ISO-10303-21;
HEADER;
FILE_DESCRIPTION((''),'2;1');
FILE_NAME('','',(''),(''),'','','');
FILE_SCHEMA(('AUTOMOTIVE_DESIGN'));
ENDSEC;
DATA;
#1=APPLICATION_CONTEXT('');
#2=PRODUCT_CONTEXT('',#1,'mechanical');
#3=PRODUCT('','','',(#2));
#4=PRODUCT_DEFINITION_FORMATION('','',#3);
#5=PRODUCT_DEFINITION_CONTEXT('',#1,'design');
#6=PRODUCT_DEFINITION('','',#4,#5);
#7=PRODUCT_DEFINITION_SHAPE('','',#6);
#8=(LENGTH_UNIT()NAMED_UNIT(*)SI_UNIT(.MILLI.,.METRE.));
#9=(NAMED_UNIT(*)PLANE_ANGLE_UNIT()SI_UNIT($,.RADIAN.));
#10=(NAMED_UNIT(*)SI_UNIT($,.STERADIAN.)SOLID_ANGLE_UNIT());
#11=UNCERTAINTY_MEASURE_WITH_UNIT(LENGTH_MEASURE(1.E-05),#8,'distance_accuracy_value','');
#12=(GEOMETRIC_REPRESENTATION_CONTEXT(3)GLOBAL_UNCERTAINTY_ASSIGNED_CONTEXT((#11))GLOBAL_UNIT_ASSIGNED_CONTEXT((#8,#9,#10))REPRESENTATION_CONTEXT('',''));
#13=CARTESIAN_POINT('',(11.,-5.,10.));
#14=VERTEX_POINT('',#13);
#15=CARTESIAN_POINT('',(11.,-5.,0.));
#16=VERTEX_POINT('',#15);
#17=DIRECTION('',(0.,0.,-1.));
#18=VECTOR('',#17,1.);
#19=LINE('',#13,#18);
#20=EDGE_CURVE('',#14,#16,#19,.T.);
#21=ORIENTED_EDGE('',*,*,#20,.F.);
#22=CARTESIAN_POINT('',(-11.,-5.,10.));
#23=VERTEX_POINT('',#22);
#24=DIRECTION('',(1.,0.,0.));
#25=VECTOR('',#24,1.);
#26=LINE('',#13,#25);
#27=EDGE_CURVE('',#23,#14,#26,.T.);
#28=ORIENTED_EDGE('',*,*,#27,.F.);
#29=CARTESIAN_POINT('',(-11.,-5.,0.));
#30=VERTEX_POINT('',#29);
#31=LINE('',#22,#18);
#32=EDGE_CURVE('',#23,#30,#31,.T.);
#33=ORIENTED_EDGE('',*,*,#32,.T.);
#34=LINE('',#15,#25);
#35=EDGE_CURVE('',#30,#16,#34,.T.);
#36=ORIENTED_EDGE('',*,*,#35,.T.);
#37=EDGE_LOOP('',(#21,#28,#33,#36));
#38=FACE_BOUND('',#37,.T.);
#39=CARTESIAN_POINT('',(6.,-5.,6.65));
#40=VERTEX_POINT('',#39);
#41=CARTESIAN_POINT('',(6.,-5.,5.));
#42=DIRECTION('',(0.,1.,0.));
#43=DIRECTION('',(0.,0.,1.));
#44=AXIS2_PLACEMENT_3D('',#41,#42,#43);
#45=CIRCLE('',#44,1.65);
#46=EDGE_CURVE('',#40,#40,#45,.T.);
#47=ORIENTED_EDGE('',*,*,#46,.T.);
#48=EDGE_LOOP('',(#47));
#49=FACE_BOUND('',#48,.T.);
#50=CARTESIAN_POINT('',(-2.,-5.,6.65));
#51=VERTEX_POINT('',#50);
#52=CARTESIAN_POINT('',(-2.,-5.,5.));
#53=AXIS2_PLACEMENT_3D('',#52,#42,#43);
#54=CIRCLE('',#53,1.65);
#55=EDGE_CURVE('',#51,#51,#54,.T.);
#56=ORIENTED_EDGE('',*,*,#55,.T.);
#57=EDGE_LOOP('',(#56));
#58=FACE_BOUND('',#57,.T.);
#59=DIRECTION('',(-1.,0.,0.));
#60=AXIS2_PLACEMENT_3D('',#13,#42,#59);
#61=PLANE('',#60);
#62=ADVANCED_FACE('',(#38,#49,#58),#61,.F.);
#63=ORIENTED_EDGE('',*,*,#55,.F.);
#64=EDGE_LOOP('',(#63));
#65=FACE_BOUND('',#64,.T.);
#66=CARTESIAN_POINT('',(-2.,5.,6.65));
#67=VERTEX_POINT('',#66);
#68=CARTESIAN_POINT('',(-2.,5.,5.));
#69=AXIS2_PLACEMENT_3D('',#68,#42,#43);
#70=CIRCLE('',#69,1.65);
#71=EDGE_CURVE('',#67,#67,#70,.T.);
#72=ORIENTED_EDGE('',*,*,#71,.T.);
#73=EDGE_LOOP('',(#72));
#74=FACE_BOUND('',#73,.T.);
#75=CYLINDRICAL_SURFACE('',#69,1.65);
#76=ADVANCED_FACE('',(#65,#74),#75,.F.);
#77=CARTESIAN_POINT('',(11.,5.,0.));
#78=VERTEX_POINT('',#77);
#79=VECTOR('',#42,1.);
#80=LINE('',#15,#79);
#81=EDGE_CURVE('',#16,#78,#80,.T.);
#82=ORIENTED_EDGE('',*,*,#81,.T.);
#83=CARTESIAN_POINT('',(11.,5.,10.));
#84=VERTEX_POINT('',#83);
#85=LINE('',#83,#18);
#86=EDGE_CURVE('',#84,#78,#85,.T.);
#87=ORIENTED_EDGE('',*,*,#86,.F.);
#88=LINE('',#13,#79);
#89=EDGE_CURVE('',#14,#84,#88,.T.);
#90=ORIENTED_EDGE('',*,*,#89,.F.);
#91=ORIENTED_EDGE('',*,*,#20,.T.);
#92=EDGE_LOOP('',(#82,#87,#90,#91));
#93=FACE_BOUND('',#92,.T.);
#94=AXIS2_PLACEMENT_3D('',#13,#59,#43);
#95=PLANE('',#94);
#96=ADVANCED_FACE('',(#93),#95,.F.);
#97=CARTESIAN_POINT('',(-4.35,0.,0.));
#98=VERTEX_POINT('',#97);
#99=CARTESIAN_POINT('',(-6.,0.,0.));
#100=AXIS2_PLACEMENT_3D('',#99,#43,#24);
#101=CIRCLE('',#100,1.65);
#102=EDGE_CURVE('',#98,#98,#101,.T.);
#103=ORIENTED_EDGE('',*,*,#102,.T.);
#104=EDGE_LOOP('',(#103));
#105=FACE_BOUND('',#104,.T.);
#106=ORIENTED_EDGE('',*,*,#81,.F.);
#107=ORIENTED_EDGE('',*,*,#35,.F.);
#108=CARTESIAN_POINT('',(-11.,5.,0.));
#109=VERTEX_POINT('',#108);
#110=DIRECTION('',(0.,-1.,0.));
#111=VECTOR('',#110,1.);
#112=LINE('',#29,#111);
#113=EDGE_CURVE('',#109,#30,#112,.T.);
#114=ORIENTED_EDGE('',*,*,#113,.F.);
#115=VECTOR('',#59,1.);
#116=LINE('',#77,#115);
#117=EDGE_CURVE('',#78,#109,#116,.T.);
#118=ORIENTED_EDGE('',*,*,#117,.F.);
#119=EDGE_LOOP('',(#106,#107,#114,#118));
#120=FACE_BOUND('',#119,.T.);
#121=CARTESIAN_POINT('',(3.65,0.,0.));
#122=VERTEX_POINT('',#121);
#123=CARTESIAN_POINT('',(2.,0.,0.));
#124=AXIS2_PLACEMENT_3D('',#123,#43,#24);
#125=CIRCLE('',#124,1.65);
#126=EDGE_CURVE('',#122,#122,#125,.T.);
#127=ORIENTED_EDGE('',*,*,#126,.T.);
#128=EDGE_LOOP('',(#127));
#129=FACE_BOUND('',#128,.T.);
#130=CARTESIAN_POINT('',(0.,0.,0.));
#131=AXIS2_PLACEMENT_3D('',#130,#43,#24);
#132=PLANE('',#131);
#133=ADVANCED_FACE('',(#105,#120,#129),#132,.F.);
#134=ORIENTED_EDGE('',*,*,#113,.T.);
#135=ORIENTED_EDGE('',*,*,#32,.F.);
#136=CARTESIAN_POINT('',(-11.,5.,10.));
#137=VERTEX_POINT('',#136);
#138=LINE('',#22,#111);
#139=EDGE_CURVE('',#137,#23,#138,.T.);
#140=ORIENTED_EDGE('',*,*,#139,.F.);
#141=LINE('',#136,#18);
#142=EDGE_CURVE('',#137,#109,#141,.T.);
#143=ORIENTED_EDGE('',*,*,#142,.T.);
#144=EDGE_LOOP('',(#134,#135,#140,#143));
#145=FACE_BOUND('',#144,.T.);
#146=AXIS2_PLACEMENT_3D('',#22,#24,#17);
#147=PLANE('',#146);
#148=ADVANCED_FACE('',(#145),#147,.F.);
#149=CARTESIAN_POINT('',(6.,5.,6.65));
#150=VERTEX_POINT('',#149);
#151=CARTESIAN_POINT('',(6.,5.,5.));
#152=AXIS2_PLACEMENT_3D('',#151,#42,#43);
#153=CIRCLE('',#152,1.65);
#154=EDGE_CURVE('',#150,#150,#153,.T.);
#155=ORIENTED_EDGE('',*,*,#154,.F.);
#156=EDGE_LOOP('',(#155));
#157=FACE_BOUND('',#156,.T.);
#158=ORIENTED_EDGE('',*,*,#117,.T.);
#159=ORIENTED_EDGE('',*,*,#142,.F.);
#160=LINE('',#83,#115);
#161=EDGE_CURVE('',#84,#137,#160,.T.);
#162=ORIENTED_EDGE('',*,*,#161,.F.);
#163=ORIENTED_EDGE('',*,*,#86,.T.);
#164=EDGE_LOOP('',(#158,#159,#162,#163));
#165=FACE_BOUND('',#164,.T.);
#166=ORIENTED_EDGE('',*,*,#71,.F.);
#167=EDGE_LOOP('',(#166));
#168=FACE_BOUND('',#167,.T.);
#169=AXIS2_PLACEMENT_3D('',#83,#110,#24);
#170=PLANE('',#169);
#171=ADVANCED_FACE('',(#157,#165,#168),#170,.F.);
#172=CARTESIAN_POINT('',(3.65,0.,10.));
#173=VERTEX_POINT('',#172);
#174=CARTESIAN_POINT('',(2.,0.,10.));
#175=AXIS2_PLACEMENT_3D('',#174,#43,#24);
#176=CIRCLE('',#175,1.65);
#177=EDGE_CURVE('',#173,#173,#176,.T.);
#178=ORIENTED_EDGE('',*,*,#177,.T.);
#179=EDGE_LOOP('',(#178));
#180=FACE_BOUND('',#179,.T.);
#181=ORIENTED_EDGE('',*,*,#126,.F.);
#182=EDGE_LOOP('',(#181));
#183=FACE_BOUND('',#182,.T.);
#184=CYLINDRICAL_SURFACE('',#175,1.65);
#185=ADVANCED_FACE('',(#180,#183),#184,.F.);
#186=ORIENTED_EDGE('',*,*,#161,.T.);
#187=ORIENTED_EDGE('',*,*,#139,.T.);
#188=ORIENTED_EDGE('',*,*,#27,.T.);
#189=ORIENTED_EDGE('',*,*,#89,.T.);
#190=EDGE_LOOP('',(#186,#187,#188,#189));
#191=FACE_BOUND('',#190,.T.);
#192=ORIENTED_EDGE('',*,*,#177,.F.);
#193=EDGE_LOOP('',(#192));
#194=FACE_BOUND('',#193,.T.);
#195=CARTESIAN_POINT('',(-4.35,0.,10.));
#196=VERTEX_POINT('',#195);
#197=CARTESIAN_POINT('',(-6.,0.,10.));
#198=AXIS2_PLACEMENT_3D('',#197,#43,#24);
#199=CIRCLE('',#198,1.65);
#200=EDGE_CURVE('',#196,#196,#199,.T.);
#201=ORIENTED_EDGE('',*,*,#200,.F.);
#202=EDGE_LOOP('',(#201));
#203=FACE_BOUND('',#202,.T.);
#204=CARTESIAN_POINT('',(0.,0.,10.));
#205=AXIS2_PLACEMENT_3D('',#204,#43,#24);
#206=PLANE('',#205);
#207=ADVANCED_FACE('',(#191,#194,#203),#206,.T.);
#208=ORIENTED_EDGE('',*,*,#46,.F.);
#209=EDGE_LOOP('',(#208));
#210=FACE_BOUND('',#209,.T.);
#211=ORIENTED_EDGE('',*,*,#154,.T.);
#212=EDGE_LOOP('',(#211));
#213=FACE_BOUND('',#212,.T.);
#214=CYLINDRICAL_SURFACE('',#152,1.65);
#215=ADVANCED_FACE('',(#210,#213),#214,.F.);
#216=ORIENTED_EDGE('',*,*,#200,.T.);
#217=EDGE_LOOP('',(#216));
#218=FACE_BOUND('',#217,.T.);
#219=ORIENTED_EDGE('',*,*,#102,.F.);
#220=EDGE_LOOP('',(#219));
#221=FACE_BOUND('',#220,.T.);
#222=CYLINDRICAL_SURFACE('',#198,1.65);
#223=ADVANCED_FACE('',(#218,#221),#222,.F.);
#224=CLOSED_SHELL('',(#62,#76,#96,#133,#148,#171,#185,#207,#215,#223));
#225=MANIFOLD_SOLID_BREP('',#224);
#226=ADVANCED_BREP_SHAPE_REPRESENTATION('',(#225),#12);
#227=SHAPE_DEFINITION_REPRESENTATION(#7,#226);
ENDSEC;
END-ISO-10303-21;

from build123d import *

# Parameters (mm, degrees)
SKETCH_1_W                   = 22
SKETCH_1_H                   = 10
EXTRUDE_1_DEPTH              = 10
HOLE_WIZARD_M4_1_D           = 3.3
HOLE_WIZARD_M4_1_ON_FACE_2_D = 3.3


with BuildPart() as part:
    # 草图1 → 凸台-拉伸1 (new body)
    with BuildSketch(Plane.XY):
        Rectangle(SKETCH_1_W, SKETCH_1_H)
    extrude(amount=EXTRUDE_1_DEPTH)

    # M4 螺纹孔的螺纹孔钻头1 (through all)
    with Locations(Plane(origin=(-6, 0, 10), x_dir=(1, 0, 0), z_dir=(0, 0, 1))):
        with Locations((0, 0), (8, 0)):
            Hole(HOLE_WIZARD_M4_1_D / 2)

    # M4 螺纹孔的螺纹孔钻头1 on face 2 (through all)
    with Locations(Plane(origin=(-2, 5, 5), x_dir=(0, 0, 1), z_dir=(0, 1, 0))):
        with Locations((0, 0), (0, 8)):
            Hole(HOLE_WIZARD_M4_1_ON_FACE_2_D / 2)


solid = part.part
